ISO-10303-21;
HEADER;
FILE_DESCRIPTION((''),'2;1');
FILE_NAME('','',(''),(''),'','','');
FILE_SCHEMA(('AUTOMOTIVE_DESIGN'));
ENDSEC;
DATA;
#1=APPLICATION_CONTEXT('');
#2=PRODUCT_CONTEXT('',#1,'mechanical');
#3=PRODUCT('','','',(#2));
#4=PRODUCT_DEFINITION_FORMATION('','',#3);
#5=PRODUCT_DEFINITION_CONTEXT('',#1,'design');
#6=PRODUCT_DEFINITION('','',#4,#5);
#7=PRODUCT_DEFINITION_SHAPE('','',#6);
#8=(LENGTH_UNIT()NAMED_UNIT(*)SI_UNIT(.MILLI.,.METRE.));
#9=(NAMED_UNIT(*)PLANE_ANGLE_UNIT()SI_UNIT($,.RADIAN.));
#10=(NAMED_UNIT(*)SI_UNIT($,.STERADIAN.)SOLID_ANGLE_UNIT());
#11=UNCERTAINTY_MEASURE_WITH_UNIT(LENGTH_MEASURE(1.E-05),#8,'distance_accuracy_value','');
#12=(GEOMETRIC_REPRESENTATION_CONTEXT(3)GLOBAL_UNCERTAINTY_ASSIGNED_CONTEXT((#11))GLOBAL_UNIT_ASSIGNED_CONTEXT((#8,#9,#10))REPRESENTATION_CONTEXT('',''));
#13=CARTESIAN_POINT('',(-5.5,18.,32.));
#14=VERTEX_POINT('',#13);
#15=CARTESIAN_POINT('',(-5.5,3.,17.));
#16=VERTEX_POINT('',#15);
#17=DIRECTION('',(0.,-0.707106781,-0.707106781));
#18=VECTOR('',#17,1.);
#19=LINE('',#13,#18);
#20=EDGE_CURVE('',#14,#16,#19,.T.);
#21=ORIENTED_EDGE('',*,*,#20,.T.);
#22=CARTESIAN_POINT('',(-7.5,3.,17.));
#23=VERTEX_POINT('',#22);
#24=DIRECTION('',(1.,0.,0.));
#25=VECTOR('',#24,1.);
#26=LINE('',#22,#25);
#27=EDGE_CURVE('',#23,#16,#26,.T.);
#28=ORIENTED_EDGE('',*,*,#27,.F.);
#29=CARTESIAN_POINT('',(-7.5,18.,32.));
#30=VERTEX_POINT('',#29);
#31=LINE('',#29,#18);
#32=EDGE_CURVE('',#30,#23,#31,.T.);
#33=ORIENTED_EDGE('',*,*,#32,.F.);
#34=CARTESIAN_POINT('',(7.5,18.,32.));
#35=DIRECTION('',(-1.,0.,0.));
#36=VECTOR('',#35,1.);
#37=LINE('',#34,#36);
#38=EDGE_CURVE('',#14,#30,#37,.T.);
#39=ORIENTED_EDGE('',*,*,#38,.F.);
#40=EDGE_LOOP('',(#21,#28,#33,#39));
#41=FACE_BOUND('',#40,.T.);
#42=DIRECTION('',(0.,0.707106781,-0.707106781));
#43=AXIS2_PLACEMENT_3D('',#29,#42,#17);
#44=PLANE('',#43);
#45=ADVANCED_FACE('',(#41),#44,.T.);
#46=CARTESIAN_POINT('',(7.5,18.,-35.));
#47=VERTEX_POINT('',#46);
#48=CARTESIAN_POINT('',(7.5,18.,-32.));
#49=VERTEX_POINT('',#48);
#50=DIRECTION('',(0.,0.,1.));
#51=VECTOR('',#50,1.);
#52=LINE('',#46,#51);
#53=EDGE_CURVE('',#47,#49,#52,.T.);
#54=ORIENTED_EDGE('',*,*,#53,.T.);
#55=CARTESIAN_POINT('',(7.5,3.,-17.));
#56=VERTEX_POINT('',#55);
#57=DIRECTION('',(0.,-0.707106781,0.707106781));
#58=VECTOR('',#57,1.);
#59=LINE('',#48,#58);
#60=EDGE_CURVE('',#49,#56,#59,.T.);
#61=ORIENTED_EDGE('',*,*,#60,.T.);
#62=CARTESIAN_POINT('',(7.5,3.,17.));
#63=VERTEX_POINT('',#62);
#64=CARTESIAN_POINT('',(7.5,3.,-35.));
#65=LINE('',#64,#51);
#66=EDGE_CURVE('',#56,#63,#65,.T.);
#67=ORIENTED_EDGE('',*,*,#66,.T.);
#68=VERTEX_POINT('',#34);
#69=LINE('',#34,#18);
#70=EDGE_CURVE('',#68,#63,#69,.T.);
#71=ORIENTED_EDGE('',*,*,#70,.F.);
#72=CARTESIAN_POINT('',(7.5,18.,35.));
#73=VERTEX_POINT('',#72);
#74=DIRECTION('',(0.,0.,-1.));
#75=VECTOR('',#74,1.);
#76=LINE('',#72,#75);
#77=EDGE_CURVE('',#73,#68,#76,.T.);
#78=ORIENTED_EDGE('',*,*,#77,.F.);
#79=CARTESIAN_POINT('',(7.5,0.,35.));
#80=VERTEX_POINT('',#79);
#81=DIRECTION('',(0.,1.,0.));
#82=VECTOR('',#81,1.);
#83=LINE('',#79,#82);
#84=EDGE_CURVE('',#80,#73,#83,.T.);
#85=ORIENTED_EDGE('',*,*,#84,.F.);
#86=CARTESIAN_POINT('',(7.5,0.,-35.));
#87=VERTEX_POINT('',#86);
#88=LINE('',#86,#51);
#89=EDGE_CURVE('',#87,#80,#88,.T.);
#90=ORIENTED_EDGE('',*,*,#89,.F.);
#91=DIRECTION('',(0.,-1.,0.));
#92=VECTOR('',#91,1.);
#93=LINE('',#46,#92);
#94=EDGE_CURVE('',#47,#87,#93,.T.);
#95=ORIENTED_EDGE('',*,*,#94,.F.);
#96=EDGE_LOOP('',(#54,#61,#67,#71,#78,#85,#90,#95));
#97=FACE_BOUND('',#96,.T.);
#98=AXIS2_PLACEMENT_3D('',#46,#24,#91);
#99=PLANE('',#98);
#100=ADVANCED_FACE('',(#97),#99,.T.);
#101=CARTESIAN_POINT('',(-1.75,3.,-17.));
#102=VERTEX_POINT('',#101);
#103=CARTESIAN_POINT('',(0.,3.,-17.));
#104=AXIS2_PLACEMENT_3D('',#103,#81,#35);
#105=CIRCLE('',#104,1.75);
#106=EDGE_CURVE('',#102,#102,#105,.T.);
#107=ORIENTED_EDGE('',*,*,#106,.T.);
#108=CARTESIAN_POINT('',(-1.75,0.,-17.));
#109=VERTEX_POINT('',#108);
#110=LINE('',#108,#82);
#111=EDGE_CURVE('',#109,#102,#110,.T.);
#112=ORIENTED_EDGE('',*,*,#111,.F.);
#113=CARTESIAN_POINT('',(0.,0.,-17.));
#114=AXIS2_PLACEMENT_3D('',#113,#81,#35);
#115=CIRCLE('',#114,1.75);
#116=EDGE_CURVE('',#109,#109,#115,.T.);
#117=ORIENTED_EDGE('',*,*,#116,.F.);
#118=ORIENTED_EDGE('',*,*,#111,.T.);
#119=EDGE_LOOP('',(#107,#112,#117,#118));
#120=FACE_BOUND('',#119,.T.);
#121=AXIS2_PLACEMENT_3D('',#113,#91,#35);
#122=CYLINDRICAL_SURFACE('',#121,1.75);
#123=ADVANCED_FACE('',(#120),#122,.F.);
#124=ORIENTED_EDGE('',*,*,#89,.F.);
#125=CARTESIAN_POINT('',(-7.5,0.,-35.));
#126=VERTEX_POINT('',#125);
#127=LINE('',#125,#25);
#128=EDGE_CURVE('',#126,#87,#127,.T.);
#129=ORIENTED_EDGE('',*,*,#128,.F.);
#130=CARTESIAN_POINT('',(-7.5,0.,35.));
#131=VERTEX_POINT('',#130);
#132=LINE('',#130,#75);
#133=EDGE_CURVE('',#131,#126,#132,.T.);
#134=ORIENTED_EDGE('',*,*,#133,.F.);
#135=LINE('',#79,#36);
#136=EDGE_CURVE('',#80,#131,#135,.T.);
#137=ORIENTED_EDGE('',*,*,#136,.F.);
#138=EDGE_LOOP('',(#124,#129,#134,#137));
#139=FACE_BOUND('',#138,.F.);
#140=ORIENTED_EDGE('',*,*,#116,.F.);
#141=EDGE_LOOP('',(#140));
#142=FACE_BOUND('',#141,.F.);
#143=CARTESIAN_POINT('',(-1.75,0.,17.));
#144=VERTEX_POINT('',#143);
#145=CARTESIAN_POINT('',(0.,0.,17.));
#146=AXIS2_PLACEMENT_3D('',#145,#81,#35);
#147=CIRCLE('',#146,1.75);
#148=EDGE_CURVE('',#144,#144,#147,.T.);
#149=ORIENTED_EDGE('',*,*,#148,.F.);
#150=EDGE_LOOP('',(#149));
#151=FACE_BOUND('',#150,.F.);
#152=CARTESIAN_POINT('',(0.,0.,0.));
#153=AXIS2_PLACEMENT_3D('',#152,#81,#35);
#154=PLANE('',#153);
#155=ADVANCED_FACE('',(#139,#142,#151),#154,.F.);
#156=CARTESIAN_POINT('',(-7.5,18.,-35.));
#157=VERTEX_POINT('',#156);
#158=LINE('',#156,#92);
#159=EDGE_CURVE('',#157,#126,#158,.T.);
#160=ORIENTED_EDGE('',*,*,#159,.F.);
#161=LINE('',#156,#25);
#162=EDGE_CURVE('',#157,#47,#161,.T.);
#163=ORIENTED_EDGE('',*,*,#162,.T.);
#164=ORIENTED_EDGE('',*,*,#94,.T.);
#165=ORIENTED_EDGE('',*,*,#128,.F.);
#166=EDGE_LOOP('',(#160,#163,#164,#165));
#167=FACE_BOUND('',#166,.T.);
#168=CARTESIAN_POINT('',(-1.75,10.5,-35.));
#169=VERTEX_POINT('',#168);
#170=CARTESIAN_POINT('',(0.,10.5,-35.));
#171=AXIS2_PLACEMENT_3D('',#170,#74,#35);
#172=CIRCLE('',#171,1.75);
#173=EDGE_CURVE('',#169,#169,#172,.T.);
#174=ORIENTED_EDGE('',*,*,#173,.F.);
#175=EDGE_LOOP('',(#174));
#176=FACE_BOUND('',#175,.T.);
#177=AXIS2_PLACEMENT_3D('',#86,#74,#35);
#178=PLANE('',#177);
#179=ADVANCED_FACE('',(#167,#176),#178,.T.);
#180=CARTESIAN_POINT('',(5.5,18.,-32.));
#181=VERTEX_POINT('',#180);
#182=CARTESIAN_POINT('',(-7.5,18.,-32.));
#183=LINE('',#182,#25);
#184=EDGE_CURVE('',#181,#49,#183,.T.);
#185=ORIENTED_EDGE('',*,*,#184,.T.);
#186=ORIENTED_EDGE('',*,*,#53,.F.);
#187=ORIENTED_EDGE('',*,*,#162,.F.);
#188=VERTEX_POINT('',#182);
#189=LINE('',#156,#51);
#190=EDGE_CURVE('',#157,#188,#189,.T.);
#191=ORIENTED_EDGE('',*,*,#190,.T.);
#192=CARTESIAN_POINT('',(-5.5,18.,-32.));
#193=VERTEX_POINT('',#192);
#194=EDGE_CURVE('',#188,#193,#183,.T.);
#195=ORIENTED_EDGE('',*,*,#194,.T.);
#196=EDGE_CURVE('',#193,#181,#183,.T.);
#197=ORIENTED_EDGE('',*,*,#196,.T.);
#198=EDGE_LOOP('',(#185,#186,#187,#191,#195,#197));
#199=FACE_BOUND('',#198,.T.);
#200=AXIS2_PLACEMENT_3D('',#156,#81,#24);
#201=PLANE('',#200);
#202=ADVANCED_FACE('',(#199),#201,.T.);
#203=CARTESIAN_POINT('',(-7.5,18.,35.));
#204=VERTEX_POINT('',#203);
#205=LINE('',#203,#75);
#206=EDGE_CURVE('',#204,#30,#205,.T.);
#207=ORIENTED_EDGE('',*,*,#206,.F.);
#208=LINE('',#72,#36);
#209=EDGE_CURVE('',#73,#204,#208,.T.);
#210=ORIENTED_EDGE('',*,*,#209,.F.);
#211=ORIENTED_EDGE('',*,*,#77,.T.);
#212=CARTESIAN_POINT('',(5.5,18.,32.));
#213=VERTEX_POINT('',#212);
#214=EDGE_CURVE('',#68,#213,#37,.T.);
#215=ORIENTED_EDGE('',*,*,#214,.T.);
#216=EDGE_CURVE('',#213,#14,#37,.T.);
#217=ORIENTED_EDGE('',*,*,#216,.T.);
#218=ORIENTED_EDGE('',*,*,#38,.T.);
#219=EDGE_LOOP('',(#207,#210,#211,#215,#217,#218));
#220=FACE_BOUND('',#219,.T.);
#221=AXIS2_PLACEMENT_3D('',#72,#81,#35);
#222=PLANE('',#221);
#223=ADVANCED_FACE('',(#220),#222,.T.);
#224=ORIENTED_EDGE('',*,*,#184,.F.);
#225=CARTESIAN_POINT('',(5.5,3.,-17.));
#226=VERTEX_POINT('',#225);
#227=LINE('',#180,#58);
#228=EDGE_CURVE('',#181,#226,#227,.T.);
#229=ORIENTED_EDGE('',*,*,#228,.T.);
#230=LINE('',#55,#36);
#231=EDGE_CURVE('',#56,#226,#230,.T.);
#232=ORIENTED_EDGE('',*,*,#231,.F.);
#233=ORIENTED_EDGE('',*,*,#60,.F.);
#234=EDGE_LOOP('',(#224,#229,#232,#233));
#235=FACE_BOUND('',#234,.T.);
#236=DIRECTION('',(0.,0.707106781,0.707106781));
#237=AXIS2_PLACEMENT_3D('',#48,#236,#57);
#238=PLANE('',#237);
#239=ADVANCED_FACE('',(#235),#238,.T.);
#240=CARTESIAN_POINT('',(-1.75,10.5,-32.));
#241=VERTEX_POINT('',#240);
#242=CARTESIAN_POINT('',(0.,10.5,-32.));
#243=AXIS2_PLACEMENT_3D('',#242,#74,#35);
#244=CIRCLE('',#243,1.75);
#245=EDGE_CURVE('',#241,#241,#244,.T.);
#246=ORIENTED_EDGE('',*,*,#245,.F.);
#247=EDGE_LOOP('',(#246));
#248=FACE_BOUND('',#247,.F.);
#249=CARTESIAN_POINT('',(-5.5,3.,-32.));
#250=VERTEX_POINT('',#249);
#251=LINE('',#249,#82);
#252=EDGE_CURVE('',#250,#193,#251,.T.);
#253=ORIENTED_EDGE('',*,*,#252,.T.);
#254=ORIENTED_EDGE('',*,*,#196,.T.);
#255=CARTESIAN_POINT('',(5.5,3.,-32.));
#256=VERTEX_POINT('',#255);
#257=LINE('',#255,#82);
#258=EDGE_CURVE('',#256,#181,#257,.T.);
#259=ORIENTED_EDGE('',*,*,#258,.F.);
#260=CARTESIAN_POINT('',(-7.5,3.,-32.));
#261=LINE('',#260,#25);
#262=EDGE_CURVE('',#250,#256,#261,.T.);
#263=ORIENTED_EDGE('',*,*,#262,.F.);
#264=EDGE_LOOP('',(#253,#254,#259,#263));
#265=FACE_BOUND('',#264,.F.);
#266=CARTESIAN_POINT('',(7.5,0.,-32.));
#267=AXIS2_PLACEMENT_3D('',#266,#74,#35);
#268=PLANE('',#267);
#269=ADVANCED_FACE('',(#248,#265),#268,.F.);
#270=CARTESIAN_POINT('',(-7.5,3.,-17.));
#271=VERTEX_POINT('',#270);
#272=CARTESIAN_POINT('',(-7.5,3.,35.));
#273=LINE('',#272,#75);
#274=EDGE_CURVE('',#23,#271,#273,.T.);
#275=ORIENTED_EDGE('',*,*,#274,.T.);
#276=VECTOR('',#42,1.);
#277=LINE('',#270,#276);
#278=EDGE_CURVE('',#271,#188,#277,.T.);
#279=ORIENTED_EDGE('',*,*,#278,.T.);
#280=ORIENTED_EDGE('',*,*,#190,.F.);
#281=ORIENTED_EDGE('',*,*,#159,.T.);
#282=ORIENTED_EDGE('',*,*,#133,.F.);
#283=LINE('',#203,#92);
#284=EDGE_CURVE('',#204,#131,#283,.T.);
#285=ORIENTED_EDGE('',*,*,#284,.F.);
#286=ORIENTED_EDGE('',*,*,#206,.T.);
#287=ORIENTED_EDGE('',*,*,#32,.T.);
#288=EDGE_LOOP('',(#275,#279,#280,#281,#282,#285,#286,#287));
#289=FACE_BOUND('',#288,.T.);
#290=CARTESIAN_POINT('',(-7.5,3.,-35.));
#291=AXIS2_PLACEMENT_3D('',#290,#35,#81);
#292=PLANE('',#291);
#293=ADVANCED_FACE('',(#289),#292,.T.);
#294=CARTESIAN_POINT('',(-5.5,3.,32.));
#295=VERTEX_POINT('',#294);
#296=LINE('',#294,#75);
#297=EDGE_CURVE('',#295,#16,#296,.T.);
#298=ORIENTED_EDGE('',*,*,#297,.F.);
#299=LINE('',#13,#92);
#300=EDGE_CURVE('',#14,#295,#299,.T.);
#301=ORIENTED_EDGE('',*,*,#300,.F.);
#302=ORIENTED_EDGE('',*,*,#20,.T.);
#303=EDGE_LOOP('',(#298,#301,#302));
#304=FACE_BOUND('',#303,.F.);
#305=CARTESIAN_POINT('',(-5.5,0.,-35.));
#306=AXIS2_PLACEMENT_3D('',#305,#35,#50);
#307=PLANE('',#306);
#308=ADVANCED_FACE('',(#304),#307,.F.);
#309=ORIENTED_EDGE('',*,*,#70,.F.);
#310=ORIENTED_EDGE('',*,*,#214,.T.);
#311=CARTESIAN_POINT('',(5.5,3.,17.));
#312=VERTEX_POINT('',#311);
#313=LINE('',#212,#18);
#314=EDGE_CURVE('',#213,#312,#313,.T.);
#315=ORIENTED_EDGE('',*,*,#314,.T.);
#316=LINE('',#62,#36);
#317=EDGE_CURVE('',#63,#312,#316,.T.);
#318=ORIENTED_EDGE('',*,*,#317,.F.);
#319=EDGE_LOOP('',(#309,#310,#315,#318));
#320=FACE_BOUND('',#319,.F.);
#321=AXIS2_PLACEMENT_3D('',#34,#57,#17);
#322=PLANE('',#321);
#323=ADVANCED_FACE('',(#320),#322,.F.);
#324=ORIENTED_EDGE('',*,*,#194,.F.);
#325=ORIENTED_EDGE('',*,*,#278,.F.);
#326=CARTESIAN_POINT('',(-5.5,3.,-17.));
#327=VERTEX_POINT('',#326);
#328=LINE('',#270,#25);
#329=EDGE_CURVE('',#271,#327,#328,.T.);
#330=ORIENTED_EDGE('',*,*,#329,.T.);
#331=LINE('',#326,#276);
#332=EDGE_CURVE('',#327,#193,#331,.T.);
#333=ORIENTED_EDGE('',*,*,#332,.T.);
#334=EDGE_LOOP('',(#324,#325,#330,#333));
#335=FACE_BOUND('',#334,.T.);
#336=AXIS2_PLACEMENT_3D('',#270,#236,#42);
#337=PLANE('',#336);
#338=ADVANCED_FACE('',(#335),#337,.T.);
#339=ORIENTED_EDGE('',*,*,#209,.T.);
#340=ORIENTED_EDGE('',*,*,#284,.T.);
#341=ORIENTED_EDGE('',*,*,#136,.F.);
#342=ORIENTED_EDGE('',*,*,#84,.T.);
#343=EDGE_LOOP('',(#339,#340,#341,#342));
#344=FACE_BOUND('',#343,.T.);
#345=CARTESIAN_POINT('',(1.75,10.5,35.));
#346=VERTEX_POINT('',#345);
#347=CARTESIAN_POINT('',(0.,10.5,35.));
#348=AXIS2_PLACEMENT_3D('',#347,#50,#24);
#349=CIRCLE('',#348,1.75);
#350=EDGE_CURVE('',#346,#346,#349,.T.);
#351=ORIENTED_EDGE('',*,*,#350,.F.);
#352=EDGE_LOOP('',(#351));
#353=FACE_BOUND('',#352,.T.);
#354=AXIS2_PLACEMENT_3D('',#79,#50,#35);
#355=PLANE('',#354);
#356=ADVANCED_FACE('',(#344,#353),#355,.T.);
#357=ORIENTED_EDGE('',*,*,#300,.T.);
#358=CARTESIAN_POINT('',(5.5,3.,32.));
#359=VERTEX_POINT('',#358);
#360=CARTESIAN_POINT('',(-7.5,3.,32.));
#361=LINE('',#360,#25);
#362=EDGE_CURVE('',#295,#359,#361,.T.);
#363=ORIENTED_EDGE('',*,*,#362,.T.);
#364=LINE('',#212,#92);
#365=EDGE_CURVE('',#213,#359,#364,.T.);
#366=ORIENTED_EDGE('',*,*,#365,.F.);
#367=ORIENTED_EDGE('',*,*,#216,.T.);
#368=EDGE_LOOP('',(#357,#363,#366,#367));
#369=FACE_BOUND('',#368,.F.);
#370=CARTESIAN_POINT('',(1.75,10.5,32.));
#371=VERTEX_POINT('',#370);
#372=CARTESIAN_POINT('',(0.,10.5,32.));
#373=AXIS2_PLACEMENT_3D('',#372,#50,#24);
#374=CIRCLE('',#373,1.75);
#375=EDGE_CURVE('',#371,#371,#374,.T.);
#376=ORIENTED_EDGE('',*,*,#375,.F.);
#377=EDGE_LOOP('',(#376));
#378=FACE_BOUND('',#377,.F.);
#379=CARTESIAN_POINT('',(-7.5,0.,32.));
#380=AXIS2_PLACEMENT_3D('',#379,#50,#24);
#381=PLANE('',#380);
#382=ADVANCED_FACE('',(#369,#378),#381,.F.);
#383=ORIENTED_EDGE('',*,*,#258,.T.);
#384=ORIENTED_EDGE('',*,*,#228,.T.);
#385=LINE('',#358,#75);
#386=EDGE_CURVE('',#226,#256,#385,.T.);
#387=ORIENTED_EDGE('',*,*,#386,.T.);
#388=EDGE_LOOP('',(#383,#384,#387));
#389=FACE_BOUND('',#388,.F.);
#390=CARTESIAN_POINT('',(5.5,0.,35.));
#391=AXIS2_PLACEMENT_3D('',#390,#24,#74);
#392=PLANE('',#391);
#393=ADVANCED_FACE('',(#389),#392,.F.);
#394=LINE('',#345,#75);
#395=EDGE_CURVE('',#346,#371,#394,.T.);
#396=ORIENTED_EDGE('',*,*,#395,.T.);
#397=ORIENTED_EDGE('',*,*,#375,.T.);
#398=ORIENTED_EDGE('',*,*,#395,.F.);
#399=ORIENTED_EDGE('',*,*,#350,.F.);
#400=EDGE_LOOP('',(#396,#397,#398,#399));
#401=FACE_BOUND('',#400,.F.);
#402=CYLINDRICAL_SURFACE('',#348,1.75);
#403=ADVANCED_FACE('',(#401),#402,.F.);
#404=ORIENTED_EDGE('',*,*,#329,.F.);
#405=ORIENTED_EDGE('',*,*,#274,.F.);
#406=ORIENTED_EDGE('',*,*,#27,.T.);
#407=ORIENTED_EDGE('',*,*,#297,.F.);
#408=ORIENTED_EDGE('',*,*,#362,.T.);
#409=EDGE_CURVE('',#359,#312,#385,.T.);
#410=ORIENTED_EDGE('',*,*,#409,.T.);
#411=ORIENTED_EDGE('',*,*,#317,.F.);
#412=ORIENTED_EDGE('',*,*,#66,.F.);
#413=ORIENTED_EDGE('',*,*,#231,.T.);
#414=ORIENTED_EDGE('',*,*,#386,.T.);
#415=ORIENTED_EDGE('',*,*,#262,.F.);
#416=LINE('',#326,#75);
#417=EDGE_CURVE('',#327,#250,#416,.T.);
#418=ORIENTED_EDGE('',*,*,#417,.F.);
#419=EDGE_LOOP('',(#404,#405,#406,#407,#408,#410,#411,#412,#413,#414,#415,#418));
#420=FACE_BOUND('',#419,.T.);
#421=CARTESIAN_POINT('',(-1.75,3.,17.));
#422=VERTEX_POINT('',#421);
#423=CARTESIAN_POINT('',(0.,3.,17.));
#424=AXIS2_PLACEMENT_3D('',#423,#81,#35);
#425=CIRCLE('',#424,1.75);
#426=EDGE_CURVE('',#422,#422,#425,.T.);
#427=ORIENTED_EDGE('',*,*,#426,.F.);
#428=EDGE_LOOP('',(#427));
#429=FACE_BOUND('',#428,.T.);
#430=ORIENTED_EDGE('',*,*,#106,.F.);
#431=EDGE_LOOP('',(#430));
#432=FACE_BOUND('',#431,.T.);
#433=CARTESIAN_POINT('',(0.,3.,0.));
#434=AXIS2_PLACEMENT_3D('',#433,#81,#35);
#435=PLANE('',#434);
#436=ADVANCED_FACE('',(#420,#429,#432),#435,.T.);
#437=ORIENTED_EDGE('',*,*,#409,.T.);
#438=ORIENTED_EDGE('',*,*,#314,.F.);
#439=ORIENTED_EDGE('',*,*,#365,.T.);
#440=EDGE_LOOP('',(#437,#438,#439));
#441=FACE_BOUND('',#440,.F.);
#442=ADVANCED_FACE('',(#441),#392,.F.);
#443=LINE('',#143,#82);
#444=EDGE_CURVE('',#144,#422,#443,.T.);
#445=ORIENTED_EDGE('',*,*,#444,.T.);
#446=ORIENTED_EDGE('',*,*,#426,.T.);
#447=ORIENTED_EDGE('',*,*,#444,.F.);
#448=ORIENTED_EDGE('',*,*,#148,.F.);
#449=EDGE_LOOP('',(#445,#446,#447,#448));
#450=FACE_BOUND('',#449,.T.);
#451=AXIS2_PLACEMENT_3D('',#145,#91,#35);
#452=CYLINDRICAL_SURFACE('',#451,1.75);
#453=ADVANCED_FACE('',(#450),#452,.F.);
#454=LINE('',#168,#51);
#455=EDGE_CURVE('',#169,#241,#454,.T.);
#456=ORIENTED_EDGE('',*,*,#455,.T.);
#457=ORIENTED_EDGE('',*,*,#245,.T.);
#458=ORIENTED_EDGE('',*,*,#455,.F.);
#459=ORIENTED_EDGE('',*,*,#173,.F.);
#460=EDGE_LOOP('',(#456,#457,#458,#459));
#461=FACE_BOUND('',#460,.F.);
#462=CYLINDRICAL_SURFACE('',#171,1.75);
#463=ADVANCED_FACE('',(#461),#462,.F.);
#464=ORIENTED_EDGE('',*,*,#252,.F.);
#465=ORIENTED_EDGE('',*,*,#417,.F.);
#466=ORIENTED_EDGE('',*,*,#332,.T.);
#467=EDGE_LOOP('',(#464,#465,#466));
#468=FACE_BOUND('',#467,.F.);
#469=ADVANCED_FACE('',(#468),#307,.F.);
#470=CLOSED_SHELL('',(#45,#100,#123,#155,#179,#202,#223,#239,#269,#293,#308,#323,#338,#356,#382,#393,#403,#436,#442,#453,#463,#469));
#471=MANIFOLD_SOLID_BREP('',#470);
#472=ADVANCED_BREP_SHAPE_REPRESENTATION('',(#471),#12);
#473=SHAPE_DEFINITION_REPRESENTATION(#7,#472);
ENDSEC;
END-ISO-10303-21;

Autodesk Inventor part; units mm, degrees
ref_plane "YZ Plane" through (0, 0, 0) normal (1, 0, 0) x (0, 1, 0)
ref_plane "XZ Plane" through (0, 0, 0) normal (0, 1, 0) x (-1, 0, 0)
ref_plane "XY Plane" through (0, 0, 0) normal (0, 0, 1) x (1, 0, 0)
sketch "Sketch1" plane through (0, 0, 0) normal (0, 1, 0) x (-1, 0, 0)
  line L0 (-7.5, 35) -> (7.5, 35)
  line L1 (7.5, 35) -> (7.5, -35)
  line L2 (7.5, -35) -> (-7.5, -35)
  line L3 (-7.5, -35) -> (-7.5, 35)
  line L4 (-7.5, 35) -> (7.5, -35) construction
  line L5 (7.5, 35) -> (-7.5, -35) construction
  circle A0 centre (0, 17) radius 1.75
  circle A1 centre (0, -17) radius 1.75
  point P0 (0, 0)
  point P1 (0, -35)
  dimension "d0" = 15
  dimension "d1" = 70
  dimension "d13" = 18
  dimension "d14" = 18
  dimension "d16" = 3.5
extrude "Extrusion1" add sketch "Sketch1" along normal blind 3
sketch "Sketch2" plane through (-7.5, 0, 35) normal (0, 0, 1) x (1, 0, 0)
  line L0 (0, 0) -> (15, 0) projected
  line L1 (15, 0) -> (15, 3) projected
  line L2 (0, 3) -> (15, 3) projected
  line L3 (0, 0) -> (0, 3) projected
  line L4 (15, 3) -> (0, 3) projected
  line L5 (0, 3) -> (15, 3)
  line L6 (15, 3) -> (15, 18)
  line L7 (15, 18) -> (0, 18)
  line L8 (0, 18) -> (0, 3)
  circle A0 centre (7.5, 10.5) radius 1.75
  point P0 (7.5, 0)
  point P1 (7.5, 18)
  point P2 (0, 10.5)
  dimension "d15" = 3.5
extrude "Extrusion2" add sketch "Sketch2" against normal blind 3 contours L8 L7 L6 L2
sketch "Sketch3" plane through (7.5, 0, -35) normal (0, 0, -1) x (-1, 0, 0)
  line L0 (15, 18) -> (0, 18) projected
  line L1 (0, 18) -> (0, 3) projected
  line L2 (15, 3) -> (0, 3) projected
  line L3 (15, 3) -> (15, 18) projected
  circle A0 centre (7.5, 10.5) radius 1.75 projected
  point P0 (7.5, 0)
extrude "Extrusion3" add sketch "Sketch3" against normal blind 3
sketch "Sketch4" plane through (7.5, 0, 35) normal (1, 0, 0) x (0, 0, -1)
  line L0 (0, 0) -> (70, 0) projected
  line L1 (70, 0) -> (70, 18) projected
  line L2 (70, 18) -> (67, 18) projected
  line L3 (67, 3) -> (67, 18) projected
  line L4 (3, 3) -> (67, 3) projected
  line L5 (3, 18) -> (3, 3) projected
  line L6 (0, 18) -> (3, 18) projected
  line L7 (0, 0) -> (0, 18) projected
  line L8 (3, 18) -> (18, 3)
  line L9 (67, 3) -> (67, 18) projected
  line L10 (67, 18) -> (52, 3)
  line L11 (67, 3) -> (3, 3) projected
  point P0 (35, 0)
  dimension "d8" = 45
extrude "Extrusion4" add sketch "Sketch4" against normal blind 2 contours L8 L4 L5 | L3 L4 L10
sketch "Sketch5" plane through (-7.5, 0, -35) normal (-1, 0, 0) x (0, 0, 1)
  line L0 (18, 3) -> (3, 3) projected
  line L1 (18, 3) -> (3, 18) projected
  line L2 (3, 3) -> (3, 18) projected
  line L3 (67, 3) -> (52, 3) projected
  line L4 (67, 18) -> (67, 3) projected
  line L5 (67, 18) -> (52, 3) projected
  point P0 (35, 0)
extrude "Extrusion5" add sketch "Sketch5" against normal blind 2
equation "\"d14\" = d13"
properties part number "Frame_Brace_Mount" material "ABS Plastic"
